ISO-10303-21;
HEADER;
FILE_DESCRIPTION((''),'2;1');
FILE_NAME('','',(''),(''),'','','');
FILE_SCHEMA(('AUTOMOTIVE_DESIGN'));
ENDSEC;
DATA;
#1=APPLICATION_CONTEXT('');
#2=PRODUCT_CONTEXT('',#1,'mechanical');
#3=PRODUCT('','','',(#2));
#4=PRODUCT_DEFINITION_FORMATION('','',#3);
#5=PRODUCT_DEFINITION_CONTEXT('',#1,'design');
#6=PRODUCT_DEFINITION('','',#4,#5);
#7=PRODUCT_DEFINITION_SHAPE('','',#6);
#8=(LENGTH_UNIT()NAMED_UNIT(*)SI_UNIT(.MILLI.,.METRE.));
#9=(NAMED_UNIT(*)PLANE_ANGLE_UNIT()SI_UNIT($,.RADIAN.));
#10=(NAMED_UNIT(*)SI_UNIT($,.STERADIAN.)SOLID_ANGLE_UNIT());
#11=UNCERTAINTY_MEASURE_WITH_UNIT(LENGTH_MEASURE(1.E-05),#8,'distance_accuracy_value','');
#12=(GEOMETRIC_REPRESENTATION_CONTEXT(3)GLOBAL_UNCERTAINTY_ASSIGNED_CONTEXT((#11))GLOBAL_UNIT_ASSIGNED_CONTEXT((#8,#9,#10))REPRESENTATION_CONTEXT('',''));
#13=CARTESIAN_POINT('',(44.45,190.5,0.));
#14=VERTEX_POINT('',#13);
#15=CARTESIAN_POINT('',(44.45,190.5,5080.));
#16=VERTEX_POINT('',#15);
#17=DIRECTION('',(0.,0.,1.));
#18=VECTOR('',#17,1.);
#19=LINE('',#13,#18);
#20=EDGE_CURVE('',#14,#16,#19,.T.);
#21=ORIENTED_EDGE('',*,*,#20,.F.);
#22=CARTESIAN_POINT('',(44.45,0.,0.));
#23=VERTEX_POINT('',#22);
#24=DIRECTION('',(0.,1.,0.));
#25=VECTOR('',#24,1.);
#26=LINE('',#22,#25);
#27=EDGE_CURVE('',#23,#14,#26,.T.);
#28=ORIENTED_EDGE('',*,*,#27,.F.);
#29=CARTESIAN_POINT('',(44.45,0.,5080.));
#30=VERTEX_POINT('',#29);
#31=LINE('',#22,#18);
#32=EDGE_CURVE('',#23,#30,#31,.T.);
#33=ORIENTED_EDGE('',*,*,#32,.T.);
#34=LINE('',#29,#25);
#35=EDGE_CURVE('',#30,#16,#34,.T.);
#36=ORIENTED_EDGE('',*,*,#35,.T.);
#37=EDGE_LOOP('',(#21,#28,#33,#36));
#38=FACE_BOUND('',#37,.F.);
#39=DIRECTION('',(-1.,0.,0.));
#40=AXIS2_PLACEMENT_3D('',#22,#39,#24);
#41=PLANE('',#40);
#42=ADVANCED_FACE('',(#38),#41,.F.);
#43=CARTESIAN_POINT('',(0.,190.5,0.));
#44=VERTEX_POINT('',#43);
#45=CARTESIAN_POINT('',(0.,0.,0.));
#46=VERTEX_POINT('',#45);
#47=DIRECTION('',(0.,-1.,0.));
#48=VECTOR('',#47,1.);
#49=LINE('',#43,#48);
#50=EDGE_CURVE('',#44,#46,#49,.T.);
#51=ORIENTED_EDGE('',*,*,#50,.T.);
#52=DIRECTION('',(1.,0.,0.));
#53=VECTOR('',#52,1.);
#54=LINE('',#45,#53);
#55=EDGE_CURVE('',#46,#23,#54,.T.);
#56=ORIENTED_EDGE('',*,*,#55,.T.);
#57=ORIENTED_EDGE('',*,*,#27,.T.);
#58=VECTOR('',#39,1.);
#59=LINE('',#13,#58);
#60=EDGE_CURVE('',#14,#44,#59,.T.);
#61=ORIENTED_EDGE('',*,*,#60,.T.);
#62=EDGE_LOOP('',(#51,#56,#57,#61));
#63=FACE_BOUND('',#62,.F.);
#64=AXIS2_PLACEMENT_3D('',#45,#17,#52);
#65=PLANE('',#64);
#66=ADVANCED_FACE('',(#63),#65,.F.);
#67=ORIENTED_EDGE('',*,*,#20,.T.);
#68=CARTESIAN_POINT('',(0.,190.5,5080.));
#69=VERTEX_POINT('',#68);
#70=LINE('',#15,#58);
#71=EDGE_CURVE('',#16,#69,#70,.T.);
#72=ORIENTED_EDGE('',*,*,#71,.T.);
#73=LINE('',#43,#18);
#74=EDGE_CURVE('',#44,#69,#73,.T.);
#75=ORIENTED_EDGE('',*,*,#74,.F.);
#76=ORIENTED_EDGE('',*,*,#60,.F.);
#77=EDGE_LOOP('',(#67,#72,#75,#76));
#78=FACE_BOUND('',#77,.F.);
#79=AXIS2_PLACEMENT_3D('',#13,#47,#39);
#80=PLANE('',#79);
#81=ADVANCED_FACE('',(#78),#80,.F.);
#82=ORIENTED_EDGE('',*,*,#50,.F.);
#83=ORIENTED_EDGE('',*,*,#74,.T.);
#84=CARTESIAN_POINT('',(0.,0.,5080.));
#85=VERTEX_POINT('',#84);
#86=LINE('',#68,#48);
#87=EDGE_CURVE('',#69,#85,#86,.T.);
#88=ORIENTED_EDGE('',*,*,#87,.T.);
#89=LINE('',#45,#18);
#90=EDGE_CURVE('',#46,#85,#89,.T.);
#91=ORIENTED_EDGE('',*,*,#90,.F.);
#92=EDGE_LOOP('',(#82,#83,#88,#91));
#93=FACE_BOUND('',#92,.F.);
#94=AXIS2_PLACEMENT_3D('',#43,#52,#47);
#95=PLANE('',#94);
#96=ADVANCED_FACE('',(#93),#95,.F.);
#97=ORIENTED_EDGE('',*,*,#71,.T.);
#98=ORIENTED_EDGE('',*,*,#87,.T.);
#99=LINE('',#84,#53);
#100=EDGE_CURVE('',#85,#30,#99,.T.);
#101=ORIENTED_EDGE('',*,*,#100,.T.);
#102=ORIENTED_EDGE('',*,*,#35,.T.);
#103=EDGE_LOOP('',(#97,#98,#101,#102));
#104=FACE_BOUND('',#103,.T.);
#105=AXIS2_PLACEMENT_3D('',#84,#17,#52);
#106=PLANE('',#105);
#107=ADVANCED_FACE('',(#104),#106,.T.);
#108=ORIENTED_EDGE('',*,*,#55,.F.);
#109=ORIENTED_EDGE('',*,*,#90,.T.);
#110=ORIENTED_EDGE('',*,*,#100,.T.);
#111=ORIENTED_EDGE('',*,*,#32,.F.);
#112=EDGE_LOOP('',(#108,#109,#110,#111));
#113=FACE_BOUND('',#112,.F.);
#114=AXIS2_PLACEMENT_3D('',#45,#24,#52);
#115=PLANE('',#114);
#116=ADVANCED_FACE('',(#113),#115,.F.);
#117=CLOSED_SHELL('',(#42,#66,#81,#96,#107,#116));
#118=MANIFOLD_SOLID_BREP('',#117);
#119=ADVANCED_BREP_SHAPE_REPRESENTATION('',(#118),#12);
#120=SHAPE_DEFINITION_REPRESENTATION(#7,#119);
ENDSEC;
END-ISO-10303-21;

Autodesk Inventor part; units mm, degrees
ref_plane "YZ Plane" through (0, 0, 0) normal (1, 0, 0) x (0, 1, 0)
ref_plane "XZ Plane" through (0, 0, 0) normal (0, 1, 0) x (-1, 0, 0)
ref_plane "XY Plane" through (0, 0, 0) normal (0, 0, 1) x (1, 0, 0)
sketch "Sketch1" plane through (0, 0, 0) normal (0, 0, 1) x (1, 0, 0)
  line L0 (0, 0) -> (44.45, 0)
  line L1 (44.45, 0) -> (44.45, 190.5)
  line L2 (44.45, 190.5) -> (0, 190.5)
  line L3 (0, 190.5) -> (0, 0)
  dimension "d0" = 44.45
  dimension "d1" = 190.5
extrude "Extrusion1" add sketch "Sketch1" along normal blind 5080
properties part number "beam" material "Wood (Birch)"
